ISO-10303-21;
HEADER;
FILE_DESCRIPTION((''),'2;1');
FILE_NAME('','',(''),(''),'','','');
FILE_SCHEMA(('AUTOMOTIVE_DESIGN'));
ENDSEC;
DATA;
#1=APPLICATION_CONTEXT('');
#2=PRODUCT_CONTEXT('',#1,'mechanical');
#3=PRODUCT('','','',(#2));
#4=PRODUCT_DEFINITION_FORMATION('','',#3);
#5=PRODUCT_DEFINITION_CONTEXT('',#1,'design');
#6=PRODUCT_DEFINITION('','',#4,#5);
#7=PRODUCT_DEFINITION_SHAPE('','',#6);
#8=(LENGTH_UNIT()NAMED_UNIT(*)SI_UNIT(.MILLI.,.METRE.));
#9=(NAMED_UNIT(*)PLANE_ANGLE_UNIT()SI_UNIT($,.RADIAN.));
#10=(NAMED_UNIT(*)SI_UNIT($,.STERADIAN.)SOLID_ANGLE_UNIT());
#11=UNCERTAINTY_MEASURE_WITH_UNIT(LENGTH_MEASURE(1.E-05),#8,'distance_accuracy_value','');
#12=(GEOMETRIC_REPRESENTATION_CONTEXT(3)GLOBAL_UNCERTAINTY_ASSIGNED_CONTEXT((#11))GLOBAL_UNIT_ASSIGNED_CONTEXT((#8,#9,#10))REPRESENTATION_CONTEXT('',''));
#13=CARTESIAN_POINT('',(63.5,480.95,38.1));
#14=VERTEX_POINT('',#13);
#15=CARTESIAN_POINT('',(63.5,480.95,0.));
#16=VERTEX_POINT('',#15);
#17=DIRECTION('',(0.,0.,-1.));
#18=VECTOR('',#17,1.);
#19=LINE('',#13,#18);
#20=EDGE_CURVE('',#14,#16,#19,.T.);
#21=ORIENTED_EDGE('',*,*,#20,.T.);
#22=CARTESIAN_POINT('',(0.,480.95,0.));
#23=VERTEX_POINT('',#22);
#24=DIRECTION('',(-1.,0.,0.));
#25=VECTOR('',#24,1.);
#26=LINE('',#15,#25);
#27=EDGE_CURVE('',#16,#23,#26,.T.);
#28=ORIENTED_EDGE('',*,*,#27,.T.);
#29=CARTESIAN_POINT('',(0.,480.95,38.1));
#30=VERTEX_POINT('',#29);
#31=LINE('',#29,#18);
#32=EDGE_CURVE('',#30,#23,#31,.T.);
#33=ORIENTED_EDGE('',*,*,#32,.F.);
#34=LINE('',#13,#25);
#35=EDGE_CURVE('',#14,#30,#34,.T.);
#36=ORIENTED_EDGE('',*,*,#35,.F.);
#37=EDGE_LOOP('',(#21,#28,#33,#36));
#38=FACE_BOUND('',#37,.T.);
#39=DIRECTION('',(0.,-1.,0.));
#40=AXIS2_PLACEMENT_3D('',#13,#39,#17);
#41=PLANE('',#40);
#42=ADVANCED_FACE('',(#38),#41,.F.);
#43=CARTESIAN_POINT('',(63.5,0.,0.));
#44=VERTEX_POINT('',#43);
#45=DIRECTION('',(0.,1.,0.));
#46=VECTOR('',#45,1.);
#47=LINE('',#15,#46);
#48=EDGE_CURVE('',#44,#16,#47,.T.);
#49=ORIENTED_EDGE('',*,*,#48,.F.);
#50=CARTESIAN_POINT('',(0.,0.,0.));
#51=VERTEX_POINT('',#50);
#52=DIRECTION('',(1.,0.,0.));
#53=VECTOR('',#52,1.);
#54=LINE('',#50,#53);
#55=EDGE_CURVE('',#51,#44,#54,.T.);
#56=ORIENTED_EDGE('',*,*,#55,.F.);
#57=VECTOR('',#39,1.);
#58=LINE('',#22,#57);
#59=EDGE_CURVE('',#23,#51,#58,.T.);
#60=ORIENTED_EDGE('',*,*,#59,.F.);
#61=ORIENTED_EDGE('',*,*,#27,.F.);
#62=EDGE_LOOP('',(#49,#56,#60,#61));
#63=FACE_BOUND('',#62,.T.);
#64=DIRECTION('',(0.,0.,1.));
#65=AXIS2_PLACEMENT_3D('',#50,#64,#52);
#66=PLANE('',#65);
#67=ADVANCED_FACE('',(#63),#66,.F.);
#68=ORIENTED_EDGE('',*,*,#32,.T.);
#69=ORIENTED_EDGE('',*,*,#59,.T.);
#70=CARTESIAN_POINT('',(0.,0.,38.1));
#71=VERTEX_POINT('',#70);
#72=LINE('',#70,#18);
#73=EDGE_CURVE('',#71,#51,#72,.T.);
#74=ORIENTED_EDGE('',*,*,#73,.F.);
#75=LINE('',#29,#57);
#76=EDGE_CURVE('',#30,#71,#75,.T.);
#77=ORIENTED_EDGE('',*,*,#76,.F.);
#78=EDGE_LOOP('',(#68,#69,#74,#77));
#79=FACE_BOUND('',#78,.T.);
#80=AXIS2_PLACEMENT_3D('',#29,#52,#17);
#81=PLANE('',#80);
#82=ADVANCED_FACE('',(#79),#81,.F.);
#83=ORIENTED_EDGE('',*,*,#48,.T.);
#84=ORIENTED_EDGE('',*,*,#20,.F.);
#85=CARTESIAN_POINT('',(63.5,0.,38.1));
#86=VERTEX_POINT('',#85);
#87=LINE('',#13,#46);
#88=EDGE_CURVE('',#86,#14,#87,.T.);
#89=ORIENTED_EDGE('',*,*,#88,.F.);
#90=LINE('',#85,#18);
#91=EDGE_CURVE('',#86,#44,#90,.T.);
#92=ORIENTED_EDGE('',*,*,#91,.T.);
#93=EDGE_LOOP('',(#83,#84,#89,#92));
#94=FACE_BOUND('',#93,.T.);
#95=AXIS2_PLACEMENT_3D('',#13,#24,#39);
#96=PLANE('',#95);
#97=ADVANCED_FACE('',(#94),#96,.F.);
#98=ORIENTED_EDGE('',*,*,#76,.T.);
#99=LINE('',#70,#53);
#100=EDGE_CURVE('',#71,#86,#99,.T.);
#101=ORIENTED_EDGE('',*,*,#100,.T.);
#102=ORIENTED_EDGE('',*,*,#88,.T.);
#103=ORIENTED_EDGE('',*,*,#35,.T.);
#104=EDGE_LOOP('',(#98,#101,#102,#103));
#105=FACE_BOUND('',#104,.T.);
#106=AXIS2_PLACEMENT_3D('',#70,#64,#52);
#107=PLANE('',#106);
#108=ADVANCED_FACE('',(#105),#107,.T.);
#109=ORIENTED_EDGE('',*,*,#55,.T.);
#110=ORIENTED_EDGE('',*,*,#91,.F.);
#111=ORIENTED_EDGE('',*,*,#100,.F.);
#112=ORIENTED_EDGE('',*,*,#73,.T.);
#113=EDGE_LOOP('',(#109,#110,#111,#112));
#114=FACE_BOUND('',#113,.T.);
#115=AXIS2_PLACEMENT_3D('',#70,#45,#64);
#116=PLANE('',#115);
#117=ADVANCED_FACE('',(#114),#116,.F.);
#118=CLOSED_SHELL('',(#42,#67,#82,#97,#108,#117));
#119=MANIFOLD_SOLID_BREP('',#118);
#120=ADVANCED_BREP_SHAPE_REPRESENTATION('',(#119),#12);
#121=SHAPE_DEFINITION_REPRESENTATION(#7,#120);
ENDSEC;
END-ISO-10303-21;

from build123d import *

# Parameters (mm, degrees)
SKETCH1_W           = 63.5
SKETCH1_H           = 480.95
BOSS_EXTRUDE1_DEPTH = 38.1


with BuildPart() as part:
    # Sketch1 → Boss-Extrude1 (new body)
    with BuildSketch(Plane.XY):
        with Locations((31.75, 240.475)):
            Rectangle(SKETCH1_W, SKETCH1_H)
    extrude(amount=BOSS_EXTRUDE1_DEPTH)


solid = part.part
